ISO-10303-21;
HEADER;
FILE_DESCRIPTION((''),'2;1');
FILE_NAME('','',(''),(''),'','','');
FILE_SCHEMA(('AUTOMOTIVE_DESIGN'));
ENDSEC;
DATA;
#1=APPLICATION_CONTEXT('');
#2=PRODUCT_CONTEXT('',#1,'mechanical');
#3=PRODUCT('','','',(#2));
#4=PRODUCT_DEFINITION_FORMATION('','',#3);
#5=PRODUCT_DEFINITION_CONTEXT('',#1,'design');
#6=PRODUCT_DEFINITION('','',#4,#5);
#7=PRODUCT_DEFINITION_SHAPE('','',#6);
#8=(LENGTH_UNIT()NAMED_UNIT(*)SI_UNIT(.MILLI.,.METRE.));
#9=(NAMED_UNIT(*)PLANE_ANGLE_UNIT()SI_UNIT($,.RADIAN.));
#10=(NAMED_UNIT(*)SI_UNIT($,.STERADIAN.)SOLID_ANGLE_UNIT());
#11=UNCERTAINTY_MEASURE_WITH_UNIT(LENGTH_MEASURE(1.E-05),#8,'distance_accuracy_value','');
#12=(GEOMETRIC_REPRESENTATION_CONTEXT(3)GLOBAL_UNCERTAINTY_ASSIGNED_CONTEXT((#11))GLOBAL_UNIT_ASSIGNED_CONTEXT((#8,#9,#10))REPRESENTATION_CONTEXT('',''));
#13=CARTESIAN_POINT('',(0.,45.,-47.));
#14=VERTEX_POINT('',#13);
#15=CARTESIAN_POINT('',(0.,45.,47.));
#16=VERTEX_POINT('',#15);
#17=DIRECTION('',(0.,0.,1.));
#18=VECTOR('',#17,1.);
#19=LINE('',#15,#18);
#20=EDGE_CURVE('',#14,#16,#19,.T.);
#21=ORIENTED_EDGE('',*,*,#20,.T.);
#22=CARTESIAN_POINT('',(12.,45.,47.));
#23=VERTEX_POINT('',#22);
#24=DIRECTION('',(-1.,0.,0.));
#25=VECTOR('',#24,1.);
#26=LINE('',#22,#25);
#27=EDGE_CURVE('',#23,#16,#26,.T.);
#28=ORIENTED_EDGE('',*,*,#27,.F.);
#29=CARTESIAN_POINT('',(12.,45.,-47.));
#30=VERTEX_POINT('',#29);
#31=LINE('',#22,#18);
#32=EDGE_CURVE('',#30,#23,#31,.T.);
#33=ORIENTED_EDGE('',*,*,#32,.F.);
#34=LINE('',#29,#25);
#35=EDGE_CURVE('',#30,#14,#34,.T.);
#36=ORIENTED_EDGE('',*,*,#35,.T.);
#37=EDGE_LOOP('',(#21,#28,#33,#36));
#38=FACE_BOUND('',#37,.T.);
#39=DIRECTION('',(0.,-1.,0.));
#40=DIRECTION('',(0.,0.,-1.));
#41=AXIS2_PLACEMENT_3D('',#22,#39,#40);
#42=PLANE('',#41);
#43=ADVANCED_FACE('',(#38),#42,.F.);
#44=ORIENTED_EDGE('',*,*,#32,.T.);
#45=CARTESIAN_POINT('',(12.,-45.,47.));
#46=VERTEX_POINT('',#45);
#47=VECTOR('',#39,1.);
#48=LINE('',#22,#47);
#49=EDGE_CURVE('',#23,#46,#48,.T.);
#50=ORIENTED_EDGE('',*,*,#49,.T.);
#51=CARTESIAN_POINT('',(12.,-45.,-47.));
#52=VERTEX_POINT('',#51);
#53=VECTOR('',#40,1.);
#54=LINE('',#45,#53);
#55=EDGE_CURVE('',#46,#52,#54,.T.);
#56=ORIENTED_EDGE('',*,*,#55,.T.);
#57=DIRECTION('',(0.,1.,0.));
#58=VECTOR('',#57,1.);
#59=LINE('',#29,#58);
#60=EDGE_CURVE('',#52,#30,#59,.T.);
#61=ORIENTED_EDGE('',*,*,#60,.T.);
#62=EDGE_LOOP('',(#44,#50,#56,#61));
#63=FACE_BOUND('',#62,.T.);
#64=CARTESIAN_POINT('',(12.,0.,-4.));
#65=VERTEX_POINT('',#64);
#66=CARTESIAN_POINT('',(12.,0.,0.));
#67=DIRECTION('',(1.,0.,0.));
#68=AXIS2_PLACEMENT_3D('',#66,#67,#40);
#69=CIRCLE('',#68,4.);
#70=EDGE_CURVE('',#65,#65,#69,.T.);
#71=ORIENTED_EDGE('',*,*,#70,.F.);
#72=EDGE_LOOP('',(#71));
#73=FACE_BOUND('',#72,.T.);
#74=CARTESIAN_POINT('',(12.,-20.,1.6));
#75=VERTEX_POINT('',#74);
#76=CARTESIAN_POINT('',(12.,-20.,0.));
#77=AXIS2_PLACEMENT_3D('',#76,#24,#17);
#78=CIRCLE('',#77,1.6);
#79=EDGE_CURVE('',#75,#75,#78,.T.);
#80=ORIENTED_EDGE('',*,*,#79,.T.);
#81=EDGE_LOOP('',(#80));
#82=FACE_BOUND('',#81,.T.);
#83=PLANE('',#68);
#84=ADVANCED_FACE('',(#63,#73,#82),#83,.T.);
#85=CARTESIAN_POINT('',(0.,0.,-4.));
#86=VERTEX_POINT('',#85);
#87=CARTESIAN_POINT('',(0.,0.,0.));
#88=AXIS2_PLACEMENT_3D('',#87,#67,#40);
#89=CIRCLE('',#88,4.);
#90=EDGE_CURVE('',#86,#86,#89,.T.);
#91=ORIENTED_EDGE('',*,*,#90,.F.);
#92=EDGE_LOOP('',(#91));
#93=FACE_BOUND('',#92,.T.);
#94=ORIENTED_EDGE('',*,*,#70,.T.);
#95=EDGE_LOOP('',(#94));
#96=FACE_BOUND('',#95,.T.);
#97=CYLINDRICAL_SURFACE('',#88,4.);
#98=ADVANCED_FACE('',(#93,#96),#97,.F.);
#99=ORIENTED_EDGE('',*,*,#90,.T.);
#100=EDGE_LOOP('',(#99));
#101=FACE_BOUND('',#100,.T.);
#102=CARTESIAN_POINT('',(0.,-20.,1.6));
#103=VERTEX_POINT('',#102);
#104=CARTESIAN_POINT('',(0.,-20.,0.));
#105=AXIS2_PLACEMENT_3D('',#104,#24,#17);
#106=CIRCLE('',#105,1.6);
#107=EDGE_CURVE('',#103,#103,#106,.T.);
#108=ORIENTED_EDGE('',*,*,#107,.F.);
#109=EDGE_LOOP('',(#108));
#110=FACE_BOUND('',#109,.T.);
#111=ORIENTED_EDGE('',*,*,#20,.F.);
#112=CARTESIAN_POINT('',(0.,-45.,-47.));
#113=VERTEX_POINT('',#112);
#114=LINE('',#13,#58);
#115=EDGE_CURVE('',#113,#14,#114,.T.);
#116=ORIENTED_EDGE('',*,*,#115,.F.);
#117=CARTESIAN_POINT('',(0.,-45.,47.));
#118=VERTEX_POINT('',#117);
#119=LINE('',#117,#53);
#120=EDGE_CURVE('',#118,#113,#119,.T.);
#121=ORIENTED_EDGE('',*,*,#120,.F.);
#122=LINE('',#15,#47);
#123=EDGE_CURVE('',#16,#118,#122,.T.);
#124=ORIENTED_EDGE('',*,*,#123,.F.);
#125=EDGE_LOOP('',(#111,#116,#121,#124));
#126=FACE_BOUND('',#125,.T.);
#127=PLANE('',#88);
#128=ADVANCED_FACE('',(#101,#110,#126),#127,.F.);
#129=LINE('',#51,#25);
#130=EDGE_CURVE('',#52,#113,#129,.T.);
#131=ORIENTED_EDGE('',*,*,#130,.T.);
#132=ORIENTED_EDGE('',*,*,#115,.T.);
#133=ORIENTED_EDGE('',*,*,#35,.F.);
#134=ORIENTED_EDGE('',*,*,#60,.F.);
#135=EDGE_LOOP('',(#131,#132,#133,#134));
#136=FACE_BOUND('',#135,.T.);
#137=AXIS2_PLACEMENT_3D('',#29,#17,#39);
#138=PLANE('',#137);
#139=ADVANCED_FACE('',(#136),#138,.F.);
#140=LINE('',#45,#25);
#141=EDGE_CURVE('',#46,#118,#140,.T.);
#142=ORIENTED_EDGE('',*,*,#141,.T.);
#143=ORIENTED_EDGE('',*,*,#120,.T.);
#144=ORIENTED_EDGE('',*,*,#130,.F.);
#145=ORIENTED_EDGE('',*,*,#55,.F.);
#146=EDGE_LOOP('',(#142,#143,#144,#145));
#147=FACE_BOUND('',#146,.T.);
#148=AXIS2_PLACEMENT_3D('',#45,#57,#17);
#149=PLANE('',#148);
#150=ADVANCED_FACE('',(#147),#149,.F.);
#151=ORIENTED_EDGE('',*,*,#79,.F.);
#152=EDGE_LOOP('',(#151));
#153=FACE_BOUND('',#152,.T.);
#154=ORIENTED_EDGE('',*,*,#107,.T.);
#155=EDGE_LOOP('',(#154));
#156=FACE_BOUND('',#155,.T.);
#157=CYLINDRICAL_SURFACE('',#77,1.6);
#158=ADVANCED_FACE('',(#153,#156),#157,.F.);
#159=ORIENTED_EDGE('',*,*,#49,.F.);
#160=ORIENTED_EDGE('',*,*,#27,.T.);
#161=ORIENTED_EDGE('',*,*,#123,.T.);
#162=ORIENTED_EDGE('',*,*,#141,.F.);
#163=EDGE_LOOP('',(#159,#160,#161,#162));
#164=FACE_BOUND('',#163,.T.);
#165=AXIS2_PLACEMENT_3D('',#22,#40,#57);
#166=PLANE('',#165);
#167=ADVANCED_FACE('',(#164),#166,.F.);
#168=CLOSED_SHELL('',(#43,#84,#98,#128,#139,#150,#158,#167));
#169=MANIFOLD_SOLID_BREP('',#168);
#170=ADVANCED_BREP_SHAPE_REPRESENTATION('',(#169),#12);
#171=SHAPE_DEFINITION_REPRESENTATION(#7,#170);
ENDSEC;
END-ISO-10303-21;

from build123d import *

# Parameters (mm, degrees)
SKETCH1_W           = 94
SKETCH1_H           = 90
BOSS_EXTRUDE1_DEPTH = 12
SKETCH2_R           = 4
CUT_EXTRUDE1_DEPTH  = 67.166456759
SKETCH3_R           = 1.6
CUT_EXTRUDE2_DEPTH  = 67.166456759


with BuildPart() as part:
    # Sketch1 → Boss-Extrude1 (new body)
    with BuildSketch(Plane(origin=(0, 0, 0), x_dir=(0, 0, -1), z_dir=(1, 0, 0))):
        Rectangle(SKETCH1_W, SKETCH1_H)
    extrude(amount=BOSS_EXTRUDE1_DEPTH)

    # Sketch2 → Cut-Extrude1 (cut, through all)
    with BuildSketch(Plane(origin=(12, 0, 0), x_dir=(0, 0, -1), z_dir=(1, 0, 0))):
        Circle(SKETCH2_R)
    extrude(amount=-CUT_EXTRUDE1_DEPTH, mode=Mode.SUBTRACT)

    # Sketch3 → Cut-Extrude2 (cut, through all)
    with BuildSketch(Plane.ZY):
        with Locations((0, -20)):
            Circle(SKETCH3_R)
    extrude(amount=-CUT_EXTRUDE2_DEPTH, mode=Mode.SUBTRACT)


solid = part.part
